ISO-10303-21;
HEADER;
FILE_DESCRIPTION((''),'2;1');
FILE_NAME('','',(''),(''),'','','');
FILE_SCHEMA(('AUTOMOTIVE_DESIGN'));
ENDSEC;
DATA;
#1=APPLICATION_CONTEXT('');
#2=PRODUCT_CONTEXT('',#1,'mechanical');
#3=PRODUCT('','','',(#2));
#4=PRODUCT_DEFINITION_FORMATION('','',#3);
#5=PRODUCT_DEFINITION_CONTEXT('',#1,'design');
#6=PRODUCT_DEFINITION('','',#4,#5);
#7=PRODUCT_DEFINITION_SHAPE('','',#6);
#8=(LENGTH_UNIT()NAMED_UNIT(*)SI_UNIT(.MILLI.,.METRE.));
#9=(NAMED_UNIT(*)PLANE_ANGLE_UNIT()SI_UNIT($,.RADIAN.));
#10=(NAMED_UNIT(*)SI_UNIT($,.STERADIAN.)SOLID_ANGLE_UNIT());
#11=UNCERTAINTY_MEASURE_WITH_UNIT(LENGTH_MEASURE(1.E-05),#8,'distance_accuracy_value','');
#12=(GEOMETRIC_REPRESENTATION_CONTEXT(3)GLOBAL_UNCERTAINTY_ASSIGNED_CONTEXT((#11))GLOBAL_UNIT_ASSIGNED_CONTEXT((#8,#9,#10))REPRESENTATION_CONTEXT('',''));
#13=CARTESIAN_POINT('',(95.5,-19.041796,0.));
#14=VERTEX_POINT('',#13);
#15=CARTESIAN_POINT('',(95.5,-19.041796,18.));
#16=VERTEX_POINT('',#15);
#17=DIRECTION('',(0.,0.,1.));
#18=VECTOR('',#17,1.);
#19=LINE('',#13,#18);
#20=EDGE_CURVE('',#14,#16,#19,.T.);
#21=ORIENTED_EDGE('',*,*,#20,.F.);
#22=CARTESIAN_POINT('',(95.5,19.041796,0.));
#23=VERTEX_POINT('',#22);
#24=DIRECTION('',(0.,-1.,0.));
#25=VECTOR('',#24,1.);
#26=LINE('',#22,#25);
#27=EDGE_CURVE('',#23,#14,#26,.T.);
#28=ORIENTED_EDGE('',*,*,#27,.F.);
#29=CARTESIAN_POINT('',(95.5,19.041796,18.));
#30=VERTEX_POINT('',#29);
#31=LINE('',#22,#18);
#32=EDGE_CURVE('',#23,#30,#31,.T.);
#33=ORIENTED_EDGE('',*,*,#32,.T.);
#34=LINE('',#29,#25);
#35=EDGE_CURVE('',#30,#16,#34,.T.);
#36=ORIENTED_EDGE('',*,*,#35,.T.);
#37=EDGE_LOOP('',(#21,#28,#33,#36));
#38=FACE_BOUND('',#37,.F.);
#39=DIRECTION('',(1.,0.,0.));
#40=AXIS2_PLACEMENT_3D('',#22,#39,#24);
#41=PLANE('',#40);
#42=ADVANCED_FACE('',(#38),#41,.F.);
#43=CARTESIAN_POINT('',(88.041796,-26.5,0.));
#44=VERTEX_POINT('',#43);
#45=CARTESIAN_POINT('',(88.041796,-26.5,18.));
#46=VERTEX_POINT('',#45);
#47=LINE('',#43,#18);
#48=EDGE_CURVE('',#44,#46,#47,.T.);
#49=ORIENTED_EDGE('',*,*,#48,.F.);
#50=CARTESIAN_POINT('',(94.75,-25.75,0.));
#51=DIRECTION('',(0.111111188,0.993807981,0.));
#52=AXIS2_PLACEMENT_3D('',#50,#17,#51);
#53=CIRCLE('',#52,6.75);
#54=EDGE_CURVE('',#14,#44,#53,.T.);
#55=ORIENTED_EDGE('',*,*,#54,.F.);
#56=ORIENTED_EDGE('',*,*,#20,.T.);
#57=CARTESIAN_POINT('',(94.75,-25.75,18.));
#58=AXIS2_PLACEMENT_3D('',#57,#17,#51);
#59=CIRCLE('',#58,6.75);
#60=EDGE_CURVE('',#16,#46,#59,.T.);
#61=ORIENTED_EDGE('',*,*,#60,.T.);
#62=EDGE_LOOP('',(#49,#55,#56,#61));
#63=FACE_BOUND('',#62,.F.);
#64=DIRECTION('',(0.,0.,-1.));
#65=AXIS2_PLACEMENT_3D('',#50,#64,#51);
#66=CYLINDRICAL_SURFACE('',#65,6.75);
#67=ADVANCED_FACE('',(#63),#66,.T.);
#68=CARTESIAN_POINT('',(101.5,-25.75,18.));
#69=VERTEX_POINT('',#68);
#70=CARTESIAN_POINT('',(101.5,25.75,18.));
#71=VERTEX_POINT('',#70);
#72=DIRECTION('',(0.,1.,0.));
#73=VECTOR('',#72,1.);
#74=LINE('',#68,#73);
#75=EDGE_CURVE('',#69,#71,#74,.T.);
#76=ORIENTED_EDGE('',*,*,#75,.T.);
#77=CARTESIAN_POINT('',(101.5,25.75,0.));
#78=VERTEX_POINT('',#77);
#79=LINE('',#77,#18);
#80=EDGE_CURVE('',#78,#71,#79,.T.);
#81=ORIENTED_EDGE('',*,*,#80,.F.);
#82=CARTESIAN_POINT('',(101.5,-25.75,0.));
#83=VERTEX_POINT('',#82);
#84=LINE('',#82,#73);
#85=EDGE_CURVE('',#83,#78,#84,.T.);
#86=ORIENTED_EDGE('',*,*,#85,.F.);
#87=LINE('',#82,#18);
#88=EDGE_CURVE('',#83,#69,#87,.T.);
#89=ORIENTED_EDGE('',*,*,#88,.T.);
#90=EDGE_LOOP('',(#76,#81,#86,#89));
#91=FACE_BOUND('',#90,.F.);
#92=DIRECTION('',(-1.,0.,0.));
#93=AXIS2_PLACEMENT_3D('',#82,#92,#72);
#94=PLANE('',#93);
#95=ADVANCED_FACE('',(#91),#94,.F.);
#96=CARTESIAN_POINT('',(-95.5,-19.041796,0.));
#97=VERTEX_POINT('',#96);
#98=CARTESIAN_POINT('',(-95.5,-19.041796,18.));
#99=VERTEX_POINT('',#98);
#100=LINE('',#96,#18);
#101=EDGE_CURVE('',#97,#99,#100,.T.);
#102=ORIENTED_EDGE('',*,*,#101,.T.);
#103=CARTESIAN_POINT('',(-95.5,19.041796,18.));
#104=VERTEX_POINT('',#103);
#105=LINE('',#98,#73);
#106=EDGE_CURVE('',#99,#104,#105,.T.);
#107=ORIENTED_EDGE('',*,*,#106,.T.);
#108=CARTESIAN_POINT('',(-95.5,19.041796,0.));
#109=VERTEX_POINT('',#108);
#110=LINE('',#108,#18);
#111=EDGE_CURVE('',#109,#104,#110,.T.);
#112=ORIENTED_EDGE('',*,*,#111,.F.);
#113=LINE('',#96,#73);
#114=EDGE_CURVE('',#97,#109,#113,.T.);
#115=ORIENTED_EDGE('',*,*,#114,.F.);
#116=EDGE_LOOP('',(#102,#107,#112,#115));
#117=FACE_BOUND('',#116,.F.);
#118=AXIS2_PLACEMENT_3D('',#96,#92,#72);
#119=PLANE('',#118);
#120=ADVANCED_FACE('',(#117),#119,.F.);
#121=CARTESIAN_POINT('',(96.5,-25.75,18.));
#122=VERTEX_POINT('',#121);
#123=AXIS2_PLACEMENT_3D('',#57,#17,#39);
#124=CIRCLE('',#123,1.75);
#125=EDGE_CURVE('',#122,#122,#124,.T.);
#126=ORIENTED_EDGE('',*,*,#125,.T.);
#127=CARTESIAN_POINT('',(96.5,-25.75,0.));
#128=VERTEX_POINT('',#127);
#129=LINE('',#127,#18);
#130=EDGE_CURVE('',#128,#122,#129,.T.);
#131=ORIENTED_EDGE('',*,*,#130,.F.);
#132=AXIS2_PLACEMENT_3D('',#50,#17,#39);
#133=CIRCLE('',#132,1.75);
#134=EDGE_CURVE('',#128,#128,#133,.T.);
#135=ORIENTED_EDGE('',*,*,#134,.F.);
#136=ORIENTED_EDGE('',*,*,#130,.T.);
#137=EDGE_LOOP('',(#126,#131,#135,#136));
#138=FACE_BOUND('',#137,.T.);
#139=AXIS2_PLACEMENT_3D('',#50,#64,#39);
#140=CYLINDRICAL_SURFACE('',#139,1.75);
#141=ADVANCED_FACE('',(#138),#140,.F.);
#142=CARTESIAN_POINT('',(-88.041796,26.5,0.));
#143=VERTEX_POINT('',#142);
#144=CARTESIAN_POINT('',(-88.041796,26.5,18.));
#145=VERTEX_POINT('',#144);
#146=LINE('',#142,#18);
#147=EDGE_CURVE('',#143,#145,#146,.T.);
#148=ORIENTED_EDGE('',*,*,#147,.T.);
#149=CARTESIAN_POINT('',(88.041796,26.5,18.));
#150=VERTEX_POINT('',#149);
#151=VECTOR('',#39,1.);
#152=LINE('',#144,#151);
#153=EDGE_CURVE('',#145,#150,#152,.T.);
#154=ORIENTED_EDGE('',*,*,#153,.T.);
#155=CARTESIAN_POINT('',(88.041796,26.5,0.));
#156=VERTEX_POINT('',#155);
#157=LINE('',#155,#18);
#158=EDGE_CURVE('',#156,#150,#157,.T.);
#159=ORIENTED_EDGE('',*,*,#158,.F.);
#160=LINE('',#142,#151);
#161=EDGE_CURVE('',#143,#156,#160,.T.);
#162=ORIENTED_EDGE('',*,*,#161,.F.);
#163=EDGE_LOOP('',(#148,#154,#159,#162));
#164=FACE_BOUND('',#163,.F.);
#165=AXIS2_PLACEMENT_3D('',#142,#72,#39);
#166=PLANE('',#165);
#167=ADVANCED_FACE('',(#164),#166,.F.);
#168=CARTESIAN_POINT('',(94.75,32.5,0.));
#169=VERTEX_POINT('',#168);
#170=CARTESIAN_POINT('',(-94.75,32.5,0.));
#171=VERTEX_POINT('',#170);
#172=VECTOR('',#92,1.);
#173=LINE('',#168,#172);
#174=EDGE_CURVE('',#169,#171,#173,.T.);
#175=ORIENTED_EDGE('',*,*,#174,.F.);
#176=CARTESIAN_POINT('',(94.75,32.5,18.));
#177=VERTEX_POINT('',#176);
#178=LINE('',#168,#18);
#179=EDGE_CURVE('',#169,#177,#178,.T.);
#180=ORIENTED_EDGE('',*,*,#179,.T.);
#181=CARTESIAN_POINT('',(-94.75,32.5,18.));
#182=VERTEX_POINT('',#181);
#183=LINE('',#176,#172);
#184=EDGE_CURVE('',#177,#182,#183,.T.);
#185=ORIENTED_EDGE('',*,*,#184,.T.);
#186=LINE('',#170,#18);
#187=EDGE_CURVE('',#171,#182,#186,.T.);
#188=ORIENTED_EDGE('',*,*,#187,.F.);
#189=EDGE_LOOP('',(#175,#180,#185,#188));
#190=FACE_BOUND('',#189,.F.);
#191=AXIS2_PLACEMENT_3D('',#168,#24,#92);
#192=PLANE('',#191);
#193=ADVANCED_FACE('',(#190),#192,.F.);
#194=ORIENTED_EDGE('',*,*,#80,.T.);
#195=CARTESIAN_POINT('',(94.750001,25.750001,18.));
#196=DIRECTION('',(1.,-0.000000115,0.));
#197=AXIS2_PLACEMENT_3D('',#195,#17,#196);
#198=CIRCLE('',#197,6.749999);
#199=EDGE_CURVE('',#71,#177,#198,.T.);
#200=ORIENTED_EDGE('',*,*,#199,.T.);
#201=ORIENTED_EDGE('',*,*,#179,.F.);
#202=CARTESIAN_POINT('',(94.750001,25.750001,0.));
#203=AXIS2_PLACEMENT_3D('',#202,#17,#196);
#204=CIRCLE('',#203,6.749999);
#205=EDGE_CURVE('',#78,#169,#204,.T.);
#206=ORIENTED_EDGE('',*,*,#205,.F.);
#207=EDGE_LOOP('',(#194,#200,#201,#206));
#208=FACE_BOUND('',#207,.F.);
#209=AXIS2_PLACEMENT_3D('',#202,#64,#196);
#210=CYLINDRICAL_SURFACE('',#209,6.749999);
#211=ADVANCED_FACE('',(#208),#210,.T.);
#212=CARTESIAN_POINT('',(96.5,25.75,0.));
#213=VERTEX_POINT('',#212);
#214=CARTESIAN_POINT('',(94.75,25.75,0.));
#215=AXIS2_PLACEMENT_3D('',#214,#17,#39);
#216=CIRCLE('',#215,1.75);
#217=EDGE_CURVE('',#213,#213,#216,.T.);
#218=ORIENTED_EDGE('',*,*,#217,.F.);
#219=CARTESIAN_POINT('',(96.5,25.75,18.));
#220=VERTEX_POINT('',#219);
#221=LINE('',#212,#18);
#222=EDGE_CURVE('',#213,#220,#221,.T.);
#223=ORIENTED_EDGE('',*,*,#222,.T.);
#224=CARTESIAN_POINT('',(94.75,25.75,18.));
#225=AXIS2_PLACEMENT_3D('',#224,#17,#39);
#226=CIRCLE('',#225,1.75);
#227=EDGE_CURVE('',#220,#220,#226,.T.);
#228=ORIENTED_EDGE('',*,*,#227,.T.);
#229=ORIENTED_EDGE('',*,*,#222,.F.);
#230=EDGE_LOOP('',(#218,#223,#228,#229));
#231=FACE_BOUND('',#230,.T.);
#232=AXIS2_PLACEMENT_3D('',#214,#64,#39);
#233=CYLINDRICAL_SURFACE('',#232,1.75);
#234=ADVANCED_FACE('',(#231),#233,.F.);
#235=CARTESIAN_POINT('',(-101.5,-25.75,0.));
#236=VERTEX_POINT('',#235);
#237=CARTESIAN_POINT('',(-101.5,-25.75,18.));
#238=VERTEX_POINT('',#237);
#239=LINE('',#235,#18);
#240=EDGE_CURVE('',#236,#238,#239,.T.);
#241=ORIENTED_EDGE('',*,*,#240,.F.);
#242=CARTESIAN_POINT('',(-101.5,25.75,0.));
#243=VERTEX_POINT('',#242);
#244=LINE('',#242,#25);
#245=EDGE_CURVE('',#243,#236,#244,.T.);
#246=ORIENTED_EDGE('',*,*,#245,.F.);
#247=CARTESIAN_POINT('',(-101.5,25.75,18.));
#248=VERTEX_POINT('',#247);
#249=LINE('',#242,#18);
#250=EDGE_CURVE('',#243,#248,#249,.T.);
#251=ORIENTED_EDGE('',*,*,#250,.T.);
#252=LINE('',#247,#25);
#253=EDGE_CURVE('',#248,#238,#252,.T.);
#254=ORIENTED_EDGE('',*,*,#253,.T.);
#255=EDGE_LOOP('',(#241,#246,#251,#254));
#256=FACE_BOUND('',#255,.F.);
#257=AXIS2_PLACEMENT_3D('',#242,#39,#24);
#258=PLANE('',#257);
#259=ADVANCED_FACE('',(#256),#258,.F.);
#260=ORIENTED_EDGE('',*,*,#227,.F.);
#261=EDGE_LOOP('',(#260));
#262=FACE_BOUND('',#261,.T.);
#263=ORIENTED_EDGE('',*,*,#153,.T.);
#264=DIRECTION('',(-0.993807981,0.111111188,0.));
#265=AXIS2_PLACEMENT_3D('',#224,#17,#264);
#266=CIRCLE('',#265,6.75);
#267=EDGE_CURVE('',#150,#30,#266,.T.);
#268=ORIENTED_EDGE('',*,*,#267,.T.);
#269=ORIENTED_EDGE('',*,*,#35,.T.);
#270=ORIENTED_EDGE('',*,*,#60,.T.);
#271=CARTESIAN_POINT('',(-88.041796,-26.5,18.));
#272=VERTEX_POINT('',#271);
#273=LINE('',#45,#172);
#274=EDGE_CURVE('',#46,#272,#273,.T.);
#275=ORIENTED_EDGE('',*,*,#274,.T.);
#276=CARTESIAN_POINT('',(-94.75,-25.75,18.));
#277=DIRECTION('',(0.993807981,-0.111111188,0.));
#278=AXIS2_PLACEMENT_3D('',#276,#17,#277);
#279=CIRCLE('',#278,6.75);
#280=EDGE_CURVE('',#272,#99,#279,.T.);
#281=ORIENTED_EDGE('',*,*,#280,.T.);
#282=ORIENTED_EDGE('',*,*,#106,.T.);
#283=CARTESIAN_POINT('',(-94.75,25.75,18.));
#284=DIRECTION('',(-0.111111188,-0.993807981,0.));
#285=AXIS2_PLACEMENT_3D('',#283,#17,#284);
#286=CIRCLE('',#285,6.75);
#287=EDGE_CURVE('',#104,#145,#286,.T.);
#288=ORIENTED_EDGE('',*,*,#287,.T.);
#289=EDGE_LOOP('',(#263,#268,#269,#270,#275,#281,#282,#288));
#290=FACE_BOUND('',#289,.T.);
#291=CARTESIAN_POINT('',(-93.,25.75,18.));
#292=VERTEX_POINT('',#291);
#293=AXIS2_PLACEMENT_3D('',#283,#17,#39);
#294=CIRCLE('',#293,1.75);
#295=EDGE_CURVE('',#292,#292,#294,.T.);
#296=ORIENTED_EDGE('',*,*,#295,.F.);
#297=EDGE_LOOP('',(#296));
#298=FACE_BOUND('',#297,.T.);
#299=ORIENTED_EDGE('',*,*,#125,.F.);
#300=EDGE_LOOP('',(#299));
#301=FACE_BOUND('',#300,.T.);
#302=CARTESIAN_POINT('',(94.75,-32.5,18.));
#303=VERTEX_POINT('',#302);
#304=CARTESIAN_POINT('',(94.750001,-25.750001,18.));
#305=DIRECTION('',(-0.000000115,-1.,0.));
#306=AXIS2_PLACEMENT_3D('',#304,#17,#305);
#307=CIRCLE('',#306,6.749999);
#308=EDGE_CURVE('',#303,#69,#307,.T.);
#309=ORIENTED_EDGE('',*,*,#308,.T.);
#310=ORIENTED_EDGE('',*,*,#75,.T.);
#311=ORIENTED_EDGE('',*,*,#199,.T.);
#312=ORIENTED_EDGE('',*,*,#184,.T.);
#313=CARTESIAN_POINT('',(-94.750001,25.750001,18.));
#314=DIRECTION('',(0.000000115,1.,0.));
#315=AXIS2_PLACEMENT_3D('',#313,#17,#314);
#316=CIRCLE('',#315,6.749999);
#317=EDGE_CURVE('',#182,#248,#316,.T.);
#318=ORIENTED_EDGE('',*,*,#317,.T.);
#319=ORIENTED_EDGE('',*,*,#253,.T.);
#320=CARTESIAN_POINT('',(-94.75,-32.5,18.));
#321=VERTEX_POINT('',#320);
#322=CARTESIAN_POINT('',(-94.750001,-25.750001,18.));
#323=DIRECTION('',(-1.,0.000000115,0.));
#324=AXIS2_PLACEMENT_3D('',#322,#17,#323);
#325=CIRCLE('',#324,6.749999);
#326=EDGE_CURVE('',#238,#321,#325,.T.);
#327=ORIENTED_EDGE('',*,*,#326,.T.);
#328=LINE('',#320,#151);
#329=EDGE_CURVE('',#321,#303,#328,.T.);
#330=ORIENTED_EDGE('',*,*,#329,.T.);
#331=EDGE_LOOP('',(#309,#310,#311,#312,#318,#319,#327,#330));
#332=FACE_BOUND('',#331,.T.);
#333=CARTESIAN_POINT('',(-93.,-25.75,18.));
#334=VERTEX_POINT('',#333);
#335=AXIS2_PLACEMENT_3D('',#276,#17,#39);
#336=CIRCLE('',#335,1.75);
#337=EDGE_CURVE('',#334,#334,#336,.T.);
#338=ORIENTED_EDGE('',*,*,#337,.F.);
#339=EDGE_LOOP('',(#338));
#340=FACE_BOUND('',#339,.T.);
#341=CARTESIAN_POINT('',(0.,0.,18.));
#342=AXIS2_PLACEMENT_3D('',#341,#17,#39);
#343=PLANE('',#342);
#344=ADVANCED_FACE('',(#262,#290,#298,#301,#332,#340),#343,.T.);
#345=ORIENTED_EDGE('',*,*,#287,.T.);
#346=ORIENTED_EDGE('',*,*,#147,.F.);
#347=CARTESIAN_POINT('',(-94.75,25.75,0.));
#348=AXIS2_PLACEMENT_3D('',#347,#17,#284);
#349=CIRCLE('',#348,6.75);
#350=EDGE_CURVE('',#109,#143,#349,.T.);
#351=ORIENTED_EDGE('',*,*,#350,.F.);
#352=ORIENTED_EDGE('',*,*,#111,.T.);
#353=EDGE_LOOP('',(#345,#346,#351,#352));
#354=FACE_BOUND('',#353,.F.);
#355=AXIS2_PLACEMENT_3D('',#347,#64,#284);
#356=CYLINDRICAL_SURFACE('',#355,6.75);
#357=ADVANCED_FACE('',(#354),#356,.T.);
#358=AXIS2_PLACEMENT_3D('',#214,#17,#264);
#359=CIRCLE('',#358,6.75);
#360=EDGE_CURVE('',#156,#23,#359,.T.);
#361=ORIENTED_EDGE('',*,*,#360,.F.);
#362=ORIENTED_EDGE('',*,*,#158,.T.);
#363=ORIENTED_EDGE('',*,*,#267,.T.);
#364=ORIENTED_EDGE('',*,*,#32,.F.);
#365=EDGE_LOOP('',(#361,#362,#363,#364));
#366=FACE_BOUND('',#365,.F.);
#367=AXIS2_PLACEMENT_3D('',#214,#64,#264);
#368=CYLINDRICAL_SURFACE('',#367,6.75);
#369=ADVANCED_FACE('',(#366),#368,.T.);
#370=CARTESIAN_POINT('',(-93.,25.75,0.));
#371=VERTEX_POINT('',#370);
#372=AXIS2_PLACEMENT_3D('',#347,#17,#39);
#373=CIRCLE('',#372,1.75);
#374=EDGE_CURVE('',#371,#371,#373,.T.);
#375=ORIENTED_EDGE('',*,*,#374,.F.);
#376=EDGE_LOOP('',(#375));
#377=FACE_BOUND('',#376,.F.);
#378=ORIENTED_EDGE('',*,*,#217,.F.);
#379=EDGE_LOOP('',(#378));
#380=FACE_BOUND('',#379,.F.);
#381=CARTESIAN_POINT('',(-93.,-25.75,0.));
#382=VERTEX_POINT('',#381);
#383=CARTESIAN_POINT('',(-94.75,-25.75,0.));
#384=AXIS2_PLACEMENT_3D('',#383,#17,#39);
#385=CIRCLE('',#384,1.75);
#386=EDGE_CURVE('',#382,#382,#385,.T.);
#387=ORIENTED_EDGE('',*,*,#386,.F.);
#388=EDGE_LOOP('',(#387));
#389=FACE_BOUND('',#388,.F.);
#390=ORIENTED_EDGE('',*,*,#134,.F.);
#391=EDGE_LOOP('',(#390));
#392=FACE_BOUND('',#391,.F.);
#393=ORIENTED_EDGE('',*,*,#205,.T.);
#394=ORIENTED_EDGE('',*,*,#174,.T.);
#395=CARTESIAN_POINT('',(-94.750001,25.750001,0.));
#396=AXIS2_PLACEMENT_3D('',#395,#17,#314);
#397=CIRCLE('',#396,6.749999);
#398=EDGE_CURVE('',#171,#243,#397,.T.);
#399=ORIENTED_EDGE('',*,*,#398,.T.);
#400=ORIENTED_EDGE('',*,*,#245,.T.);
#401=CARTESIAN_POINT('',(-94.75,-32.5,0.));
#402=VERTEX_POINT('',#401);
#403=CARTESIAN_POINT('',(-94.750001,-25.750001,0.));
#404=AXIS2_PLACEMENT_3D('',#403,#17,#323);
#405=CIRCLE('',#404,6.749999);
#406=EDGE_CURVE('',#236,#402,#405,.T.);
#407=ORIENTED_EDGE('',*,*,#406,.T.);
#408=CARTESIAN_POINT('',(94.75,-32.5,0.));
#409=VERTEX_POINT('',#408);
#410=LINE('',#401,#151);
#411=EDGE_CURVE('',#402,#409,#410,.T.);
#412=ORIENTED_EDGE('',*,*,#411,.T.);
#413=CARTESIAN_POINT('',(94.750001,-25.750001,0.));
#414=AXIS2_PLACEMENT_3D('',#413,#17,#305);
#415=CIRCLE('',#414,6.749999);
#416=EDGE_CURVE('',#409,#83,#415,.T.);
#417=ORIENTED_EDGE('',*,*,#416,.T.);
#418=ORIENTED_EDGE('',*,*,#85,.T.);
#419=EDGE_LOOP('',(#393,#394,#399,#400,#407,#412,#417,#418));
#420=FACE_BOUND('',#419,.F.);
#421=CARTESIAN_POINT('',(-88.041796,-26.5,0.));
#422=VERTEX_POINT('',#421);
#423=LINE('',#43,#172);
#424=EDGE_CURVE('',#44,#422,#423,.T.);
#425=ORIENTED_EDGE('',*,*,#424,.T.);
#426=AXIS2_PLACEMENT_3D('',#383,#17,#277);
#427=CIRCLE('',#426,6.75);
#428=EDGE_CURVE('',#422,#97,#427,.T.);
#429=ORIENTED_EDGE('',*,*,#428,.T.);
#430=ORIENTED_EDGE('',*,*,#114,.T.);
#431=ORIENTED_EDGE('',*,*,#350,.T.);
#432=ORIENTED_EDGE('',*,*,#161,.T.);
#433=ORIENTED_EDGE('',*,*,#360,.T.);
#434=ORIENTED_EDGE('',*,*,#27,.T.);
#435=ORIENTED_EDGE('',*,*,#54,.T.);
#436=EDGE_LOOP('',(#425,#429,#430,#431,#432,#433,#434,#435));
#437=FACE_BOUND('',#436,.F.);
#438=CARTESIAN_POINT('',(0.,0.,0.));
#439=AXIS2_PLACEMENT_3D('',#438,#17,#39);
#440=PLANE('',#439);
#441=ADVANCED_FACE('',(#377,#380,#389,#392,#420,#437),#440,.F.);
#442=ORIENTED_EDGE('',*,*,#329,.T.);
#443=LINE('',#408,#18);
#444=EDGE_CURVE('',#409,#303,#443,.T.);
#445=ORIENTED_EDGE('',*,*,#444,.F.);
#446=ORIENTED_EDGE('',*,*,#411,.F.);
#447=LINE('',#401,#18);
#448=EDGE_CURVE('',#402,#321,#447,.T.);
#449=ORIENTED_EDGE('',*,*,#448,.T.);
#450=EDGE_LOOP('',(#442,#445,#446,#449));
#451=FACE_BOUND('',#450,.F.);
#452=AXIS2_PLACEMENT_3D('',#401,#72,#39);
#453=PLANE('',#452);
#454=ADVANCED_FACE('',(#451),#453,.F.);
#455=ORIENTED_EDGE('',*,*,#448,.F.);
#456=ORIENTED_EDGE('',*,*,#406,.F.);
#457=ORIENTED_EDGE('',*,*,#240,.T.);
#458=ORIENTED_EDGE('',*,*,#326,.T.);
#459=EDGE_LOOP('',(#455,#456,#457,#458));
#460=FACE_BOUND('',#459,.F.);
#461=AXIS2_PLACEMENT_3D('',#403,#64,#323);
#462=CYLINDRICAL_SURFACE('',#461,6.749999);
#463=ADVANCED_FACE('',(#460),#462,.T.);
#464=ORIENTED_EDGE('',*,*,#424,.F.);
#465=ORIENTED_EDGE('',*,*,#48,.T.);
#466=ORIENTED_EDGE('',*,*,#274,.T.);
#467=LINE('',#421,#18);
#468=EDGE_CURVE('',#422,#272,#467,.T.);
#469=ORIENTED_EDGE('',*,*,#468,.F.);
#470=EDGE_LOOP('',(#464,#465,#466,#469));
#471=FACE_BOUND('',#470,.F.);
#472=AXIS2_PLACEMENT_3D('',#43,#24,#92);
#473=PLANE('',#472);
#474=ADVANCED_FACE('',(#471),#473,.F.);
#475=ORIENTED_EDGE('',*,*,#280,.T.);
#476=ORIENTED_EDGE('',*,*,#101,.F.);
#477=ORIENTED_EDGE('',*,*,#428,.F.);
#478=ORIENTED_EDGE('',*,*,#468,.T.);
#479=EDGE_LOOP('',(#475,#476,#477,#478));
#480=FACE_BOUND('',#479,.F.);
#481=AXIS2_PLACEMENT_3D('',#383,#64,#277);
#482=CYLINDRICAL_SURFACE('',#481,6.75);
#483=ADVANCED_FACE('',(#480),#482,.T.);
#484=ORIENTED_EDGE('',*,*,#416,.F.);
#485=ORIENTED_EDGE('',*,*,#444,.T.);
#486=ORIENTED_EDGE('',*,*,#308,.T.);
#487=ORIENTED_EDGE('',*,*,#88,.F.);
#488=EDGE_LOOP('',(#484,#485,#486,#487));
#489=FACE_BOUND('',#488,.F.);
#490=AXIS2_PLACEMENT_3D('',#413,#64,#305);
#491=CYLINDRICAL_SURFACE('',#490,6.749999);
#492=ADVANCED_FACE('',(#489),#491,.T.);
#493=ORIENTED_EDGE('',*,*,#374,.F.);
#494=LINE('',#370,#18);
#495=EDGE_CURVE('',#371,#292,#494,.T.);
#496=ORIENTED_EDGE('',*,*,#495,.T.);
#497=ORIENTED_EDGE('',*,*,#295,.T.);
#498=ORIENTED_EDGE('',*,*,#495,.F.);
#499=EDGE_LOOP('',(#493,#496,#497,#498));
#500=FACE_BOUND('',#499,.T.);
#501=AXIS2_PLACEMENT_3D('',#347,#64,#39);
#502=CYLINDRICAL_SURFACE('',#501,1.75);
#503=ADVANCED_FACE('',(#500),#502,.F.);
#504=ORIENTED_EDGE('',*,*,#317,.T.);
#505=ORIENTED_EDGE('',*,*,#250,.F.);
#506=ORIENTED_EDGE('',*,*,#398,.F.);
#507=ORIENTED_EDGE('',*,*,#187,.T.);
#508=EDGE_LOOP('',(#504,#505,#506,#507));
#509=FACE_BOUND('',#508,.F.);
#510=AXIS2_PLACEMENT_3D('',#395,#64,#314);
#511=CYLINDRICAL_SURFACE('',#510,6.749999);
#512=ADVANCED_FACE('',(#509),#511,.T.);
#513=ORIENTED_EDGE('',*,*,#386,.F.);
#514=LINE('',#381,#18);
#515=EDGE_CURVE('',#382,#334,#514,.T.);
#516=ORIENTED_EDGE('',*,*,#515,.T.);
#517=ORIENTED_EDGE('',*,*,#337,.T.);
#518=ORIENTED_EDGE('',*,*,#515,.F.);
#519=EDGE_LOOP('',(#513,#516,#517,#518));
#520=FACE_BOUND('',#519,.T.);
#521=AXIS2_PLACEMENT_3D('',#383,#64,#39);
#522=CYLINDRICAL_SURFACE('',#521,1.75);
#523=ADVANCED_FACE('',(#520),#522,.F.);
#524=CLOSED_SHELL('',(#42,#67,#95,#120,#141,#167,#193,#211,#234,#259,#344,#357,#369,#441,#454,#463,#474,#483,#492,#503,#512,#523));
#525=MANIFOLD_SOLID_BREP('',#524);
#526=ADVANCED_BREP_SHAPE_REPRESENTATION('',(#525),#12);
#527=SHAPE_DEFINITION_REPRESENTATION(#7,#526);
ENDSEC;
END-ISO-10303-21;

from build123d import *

# Parameters (mm, degrees)
F0_R     = 1.75
F1_DEPTH = 18


with BuildPart() as f1:
    # F0 (on Top) → F1 (new body)
    with BuildSketch(Plane.XY):
        with BuildLine():
            Line((-94.75, -32.5), (94.75, -32.5))
            ThreePointArc((94.75, -32.5), (99.522971, -30.522971), (101.5, -25.75))
            Line((101.5, -25.75), (101.5, 25.75))
            ThreePointArc((101.5, 25.75), (99.522971, 30.522971), (94.75, 32.5))
            Line((94.75, 32.5), (-94.75, 32.5))
            ThreePointArc((-94.75, 32.5), (-99.522971, 30.522971), (-101.5, 25.75))
            Line((-101.5, 25.75), (-101.5, -25.75))
            ThreePointArc((-101.5, -25.75), (-99.522971, -30.522971), (-94.75, -32.5))
        make_face()
        with Locations((-94.75, -25.75)):
            Circle(F0_R, mode=Mode.SUBTRACT)
        with Locations((94.75, -25.75)):
            Circle(F0_R, mode=Mode.SUBTRACT)
        with Locations((-94.75, 25.75)):
            Circle(F0_R, mode=Mode.SUBTRACT)
        with BuildLine():
            Line((6.708204, 26.5), (88.041796, 26.5))
            ThreePointArc((88.041796, 26.5), (89.977029, 20.977029), (95.5, 19.041796))
            Line((95.5, 19.041796), (95.5, -19.041796))
            ThreePointArc((95.5, -19.041796), (89.977029, -20.977029), (88.041796, -26.5))
            Line((88.041796, -26.5), (6.708204, -26.5))
            Line((6.708204, -26.5), (-88.041796, -26.5))
            ThreePointArc((-88.041796, -26.5), (-89.977029, -20.977029), (-95.5, -19.041796))
            Line((-95.5, -19.041796), (-95.5, 19.041796))
            ThreePointArc((-95.5, 19.041796), (-89.977029, 20.977029), (-88.041796, 26.5))
            Line((-88.041796, 26.5), (6.708204, 26.5))
        make_face(mode=Mode.SUBTRACT)
        with Locations((94.75, 25.75)):
            Circle(F0_R, mode=Mode.SUBTRACT)
    extrude(amount=F1_DEPTH)


solid = f1.part
